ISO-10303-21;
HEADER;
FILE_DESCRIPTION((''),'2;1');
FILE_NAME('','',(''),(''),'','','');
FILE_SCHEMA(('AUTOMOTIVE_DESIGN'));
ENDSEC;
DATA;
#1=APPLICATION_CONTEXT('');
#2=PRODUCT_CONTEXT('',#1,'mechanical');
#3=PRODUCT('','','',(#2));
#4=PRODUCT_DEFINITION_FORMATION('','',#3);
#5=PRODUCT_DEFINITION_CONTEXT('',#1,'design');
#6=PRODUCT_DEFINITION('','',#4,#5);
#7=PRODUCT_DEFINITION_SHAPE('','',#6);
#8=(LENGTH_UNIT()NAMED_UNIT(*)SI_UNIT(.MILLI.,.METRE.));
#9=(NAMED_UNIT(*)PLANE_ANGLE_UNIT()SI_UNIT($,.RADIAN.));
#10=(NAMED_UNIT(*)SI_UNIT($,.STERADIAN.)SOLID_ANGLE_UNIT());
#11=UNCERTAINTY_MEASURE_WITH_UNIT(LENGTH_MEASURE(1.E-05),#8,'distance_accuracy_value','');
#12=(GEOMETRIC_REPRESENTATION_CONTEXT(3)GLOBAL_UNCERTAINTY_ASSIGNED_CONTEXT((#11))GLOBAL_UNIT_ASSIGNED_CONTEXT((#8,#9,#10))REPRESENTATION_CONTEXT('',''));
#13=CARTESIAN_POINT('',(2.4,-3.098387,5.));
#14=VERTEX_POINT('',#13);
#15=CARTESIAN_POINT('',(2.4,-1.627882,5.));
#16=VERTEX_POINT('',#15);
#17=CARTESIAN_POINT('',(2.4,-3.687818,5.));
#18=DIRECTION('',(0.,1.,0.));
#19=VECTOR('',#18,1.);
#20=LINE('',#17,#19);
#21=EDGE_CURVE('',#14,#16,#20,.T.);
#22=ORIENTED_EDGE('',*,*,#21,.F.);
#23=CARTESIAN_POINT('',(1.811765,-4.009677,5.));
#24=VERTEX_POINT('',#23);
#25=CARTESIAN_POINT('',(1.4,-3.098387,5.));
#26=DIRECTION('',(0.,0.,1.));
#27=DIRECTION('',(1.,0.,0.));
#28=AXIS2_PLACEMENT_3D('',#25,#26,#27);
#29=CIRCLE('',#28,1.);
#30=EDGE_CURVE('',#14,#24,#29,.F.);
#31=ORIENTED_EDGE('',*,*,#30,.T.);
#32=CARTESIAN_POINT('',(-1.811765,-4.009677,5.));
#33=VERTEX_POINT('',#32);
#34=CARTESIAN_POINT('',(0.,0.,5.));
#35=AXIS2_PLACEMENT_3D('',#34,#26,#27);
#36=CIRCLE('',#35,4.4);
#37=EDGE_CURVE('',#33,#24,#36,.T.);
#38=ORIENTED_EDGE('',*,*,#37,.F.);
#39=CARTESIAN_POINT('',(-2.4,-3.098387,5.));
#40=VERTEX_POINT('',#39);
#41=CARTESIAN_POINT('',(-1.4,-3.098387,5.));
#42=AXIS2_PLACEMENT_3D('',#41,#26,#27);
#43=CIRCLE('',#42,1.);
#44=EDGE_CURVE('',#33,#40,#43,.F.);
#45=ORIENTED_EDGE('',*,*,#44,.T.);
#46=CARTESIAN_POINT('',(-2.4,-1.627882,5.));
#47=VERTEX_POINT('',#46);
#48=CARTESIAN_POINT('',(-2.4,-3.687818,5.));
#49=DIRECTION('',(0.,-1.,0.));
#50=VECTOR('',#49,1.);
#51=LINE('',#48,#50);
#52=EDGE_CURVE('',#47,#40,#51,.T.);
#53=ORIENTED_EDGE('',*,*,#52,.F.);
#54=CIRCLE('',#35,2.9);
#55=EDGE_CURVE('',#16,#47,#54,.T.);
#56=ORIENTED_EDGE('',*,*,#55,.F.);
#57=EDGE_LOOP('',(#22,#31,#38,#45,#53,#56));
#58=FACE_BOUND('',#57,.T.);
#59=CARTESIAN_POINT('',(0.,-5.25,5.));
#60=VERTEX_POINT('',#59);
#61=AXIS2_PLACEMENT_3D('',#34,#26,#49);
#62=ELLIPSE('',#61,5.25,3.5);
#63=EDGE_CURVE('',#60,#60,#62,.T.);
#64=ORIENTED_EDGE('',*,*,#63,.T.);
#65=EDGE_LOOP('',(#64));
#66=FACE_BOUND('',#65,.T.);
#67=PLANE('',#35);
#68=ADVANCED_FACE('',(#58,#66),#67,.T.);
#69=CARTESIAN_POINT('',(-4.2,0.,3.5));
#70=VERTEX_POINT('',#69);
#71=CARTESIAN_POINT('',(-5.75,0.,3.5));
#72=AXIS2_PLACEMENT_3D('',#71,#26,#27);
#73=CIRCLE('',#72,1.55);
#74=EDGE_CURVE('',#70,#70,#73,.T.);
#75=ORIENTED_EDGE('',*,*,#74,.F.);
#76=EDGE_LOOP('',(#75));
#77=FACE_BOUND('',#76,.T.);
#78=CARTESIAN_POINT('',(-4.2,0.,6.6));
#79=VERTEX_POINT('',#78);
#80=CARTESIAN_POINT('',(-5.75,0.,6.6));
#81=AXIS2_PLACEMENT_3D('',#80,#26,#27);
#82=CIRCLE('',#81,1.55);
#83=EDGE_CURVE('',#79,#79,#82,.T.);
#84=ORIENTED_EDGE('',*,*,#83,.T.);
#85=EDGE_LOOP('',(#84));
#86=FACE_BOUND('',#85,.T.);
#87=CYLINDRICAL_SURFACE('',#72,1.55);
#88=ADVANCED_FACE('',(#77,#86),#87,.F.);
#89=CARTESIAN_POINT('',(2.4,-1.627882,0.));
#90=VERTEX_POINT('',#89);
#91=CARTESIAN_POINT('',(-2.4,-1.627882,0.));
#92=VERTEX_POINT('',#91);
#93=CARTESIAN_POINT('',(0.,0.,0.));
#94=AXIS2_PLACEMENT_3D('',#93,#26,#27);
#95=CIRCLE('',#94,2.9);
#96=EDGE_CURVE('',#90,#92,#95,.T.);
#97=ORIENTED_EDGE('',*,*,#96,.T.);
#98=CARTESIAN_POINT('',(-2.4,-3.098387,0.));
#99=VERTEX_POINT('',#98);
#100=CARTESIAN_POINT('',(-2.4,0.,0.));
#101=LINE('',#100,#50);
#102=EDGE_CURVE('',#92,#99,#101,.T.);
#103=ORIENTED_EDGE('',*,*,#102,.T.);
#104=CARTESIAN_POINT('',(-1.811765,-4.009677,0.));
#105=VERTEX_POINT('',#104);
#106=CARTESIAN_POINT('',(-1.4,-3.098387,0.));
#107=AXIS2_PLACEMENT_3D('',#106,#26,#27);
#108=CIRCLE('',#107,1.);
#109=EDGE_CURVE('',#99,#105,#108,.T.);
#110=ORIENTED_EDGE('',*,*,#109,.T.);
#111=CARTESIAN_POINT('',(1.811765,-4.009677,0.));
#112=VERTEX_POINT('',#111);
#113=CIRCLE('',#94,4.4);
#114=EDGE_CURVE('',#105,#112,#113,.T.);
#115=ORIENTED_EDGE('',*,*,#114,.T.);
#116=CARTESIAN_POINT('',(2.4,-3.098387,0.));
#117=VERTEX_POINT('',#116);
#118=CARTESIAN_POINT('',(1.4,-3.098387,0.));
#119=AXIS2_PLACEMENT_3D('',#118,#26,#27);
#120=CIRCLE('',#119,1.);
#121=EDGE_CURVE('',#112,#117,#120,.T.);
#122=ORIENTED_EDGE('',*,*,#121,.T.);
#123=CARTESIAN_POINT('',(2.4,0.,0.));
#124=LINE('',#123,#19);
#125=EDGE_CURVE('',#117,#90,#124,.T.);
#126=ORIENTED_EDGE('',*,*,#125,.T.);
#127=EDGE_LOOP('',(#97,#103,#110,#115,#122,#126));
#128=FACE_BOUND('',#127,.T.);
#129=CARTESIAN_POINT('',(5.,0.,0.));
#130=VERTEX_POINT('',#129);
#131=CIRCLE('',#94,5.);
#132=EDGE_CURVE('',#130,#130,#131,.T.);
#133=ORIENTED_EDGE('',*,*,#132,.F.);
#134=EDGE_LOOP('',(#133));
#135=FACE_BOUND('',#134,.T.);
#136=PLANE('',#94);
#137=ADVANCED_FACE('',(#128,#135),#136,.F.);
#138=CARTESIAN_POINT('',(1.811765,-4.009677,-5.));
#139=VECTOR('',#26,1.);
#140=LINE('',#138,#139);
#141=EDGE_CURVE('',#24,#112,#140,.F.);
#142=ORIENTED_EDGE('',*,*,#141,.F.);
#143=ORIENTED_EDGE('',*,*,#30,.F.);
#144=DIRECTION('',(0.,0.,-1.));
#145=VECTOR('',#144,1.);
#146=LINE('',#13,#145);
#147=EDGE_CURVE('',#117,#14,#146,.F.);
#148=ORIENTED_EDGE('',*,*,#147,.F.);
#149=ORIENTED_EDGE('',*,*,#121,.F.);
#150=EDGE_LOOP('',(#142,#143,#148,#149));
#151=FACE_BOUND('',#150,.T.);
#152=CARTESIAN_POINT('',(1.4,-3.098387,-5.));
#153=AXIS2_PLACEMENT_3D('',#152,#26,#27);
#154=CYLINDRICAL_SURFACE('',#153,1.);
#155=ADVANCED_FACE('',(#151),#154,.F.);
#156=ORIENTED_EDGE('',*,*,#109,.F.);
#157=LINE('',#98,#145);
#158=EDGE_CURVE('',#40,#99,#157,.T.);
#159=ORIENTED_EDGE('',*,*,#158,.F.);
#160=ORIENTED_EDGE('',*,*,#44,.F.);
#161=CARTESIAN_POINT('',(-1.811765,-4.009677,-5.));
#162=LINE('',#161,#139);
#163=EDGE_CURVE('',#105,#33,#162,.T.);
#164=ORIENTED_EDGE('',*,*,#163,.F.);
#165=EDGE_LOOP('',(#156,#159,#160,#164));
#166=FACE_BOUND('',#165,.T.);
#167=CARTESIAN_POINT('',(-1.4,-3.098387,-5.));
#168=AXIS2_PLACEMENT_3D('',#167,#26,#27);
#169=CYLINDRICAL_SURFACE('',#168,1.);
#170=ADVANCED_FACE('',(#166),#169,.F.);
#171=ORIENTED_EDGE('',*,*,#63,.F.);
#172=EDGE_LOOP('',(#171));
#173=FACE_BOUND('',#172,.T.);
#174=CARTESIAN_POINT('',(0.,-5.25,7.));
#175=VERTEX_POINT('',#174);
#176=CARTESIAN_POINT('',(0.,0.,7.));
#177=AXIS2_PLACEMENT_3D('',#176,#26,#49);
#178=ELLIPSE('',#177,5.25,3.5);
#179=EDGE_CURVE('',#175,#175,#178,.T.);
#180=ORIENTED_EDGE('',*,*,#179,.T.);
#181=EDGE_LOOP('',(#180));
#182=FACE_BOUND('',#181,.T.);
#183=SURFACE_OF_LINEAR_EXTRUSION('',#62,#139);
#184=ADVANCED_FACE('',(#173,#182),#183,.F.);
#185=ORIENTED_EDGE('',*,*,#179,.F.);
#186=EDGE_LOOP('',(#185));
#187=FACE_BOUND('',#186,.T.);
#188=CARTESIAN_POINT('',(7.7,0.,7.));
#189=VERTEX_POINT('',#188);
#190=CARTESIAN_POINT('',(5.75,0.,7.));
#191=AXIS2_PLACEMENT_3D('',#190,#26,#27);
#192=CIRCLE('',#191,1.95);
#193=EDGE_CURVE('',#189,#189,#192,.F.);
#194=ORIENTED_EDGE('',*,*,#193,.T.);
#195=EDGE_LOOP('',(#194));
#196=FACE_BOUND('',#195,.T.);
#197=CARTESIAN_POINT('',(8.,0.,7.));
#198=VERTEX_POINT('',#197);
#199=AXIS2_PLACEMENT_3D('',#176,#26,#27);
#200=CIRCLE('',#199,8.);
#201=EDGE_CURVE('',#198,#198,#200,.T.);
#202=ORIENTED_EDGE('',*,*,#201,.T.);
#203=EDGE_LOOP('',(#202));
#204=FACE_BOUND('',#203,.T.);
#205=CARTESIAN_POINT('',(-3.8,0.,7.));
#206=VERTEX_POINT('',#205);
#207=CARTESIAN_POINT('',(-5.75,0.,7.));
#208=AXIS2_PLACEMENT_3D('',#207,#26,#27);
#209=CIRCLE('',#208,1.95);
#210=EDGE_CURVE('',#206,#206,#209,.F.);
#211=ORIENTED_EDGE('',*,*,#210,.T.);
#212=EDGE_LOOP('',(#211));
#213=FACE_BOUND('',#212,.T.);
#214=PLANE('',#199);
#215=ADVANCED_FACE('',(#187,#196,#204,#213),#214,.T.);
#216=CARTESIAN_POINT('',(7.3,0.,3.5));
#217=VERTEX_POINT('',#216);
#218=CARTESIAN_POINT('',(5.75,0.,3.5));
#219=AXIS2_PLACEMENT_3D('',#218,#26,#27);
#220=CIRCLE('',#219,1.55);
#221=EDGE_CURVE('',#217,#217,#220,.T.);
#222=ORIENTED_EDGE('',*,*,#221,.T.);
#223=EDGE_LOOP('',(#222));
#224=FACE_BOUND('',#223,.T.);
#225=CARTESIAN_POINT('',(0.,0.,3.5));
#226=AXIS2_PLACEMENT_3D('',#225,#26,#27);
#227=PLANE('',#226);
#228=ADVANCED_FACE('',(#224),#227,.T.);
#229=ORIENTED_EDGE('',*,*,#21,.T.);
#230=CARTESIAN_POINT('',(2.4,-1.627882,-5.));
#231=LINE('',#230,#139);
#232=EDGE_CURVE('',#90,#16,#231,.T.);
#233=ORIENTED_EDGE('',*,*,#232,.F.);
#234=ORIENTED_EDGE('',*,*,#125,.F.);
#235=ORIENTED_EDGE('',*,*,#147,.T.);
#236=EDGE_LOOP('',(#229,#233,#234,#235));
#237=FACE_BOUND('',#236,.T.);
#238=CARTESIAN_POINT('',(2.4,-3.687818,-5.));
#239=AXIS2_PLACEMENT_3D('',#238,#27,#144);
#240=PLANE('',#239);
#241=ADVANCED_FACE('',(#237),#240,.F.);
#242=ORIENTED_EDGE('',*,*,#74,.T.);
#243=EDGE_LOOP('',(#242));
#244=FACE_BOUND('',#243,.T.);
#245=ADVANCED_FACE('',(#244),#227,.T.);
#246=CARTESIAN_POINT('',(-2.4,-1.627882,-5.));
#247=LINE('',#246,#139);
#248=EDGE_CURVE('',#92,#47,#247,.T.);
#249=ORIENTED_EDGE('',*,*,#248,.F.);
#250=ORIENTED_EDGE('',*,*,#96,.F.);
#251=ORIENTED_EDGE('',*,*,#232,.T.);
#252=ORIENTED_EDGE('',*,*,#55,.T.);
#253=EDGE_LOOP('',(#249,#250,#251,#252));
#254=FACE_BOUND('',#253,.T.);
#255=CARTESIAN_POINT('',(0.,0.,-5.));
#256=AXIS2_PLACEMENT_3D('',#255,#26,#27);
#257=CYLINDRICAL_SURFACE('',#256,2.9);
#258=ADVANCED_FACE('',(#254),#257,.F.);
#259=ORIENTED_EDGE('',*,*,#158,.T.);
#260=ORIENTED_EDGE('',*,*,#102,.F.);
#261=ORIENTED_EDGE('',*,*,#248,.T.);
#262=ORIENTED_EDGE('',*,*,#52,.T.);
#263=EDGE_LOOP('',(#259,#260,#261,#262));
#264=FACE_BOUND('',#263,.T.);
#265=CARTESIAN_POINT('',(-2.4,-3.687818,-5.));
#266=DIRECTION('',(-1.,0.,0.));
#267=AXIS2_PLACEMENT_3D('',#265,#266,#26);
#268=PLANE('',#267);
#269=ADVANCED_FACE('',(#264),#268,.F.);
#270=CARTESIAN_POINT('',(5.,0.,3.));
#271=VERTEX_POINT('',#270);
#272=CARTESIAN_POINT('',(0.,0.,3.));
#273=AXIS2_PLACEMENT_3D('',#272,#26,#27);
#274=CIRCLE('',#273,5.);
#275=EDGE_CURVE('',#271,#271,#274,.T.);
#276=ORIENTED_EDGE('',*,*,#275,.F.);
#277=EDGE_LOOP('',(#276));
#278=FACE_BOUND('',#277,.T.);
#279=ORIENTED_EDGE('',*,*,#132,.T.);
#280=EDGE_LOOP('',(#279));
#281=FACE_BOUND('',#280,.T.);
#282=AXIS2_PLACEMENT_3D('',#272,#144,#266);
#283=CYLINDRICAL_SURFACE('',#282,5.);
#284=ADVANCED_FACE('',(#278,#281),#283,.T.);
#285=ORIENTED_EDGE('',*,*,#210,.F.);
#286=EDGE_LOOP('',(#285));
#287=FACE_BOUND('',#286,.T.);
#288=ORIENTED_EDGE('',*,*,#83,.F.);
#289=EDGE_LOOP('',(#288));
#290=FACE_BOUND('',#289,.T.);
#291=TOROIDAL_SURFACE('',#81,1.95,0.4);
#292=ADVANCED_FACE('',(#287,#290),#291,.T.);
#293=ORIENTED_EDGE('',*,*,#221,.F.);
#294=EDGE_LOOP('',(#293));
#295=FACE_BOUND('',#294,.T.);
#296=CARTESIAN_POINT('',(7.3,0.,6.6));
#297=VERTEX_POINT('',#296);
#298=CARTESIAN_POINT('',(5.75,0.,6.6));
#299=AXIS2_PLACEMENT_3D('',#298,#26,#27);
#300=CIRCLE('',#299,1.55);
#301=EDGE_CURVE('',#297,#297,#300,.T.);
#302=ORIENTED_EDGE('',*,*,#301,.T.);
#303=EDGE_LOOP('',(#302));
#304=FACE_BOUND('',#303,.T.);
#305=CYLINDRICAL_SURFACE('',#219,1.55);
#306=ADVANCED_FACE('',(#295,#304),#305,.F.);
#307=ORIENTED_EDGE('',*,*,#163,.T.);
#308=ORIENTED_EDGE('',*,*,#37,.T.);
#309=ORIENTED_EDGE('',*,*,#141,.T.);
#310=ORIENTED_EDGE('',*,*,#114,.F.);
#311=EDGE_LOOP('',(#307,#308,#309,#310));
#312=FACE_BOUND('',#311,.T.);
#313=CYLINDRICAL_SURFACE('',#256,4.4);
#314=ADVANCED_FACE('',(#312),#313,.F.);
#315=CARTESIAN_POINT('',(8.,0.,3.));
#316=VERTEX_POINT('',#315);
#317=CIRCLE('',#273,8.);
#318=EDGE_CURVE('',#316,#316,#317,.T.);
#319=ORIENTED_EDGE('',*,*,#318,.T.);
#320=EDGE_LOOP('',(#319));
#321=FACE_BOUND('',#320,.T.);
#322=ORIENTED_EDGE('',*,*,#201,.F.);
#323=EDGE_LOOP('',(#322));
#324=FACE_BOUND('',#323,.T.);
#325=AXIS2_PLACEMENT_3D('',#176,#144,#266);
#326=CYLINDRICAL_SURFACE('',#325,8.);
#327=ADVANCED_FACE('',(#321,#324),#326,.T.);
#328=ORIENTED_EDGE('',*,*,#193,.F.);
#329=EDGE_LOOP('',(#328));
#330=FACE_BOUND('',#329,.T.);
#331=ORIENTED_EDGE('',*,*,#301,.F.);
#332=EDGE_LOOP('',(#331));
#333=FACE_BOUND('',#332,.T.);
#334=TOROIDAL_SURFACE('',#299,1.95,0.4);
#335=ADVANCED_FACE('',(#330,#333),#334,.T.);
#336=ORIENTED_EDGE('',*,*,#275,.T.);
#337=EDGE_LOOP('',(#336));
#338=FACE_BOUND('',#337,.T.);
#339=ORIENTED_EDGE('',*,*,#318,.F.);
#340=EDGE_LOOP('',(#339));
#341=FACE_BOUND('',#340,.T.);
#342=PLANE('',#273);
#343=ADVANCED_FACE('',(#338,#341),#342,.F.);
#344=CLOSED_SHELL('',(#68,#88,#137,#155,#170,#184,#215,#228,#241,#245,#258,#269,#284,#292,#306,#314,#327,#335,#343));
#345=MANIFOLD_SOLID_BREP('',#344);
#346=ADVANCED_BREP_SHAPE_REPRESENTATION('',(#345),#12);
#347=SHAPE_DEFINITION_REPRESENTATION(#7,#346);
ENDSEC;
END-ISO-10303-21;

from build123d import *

# Parameters (mm, degrees)
SKETCH1_R           = 5
SKETCH1_R_2         = 1
BOSS_EXTRUDE1_DEPTH = 3
SKETCH2_R           = 8
BOSS_EXTRUDE2_DEPTH = 4
SKETCH4_R           = 1
CUT_EXTRUDE2_DEPTH  = 8
SKETCH3_RX          = 5.25
SKETCH3_RY          = 3.5
CUT_EXTRUDE1_DEPTH  = 2
SKETCH10_R          = 1
CUT_EXTRUDE5_DEPTH  = 7
SKETCH9_R           = 1.55
CUT_EXTRUDE4_DEPTH  = 3.5
CUT_EXTRUDE9_DEPTH  = 10
FILLET3_R           = 1
FILLET1_R           = 0.4


with BuildPart() as part:
    # Sketch1 → Boss-Extrude1 (new body)
    with BuildSketch(Plane.XY):
        Circle(SKETCH1_R)
        Circle(SKETCH1_R_2, mode=Mode.SUBTRACT)
    extrude(amount=BOSS_EXTRUDE1_DEPTH)

    # Sketch2 → Boss-Extrude2 (add)
    with BuildSketch(Plane.XY.offset(3)):
        Circle(SKETCH2_R)
    extrude(amount=BOSS_EXTRUDE2_DEPTH)

    # Sketch4 → Cut-Extrude2 (cut)
    with BuildSketch(Plane(origin=(0, 0, 3), x_dir=(-1, 0, 0), z_dir=(0, 0, -1))):
        with Locations(Location((0, 0, 0), (0, 0, 180))):
            Circle(SKETCH4_R)
    extrude(amount=-CUT_EXTRUDE2_DEPTH, mode=Mode.SUBTRACT)

    # Sketch3 → Cut-Extrude1 (cut)
    with BuildSketch(Plane.XY.offset(7)):
        with Locations(Location((0, 0), (0, 0, -90))):
            Ellipse(SKETCH3_RX, SKETCH3_RY)
    extrude(amount=-CUT_EXTRUDE1_DEPTH, mode=Mode.SUBTRACT)

    # Sketch10 → Cut-Extrude5 (cut)
    with BuildSketch(Plane(origin=(0, 0, 0), x_dir=(-1, 0, 0), z_dir=(0, 0, -1))):
        with BuildLine():
            Line((-2.25, -1.58113883), (-2.25, -3.605551275))
            ThreePointArc((-2.25, -3.605551275), (0, -4.25), (2.25, -3.605551275))
            Line((2.25, -3.605551275), (2.25, -1.58113883))
            ThreePointArc((2.25, -1.58113883), (0, 2.75), (-2.25, -1.58113883))
        make_face()
        Circle(SKETCH10_R, mode=Mode.SUBTRACT)
    extrude(amount=-CUT_EXTRUDE5_DEPTH, mode=Mode.SUBTRACT)

    # Sketch9 → Cut-Extrude4 (cut)
    with BuildSketch(Plane.XY.offset(7)):
        with Locations((-5.75, 0)):
            Circle(SKETCH9_R)
        with Locations((5.75, 0)):
            Circle(SKETCH9_R)
    extrude(amount=-CUT_EXTRUDE4_DEPTH, mode=Mode.SUBTRACT)

    # Sketch14 → Cut-Extrude9 (cut)
    with BuildSketch(Plane.XY.offset(5)):
        with BuildLine():
            Line((-2.4, -3.687817783), (-2.4, -1.62788206))
            ThreePointArc((-2.4, -1.62788206), (0, 2.9), (2.4, -1.62788206))
            Line((2.4, -1.62788206), (2.4, -3.687817783))
            ThreePointArc((2.4, -3.687817783), (0, -4.4), (-2.4, -3.687817783))
        make_face()
        with BuildLine():
            Line((2.25, -3.605551275), (2.25, -1.58113883))
            ThreePointArc((2.25, -1.58113883), (0, 2.75), (-2.25, -1.58113883))
            Line((-2.25, -1.58113883), (-2.25, -3.605551275))
            ThreePointArc((-2.25, -3.605551275), (0, -4.25), (2.25, -3.605551275))
        make_face(mode=Mode.SUBTRACT)
    extrude(amount=-CUT_EXTRUDE9_DEPTH, mode=Mode.SUBTRACT)

    # Fillet3
    fillet3_edges = [part.edges().sort_by_distance(p)[0] for p in [
        (2.4, -3.687817783, 2.5),
        (-2.4, -3.687817783, 2.5),
    ]]
    fillet(fillet3_edges, radius=FILLET3_R)

    # Fillet1
    fillet1_edges = [part.edges().sort_by_distance(p)[0] for p in [
        (-7.3, 0, 7),
        (4.2, 0, 7),
    ]]
    fillet(fillet1_edges, radius=FILLET1_R)


solid = part.part
